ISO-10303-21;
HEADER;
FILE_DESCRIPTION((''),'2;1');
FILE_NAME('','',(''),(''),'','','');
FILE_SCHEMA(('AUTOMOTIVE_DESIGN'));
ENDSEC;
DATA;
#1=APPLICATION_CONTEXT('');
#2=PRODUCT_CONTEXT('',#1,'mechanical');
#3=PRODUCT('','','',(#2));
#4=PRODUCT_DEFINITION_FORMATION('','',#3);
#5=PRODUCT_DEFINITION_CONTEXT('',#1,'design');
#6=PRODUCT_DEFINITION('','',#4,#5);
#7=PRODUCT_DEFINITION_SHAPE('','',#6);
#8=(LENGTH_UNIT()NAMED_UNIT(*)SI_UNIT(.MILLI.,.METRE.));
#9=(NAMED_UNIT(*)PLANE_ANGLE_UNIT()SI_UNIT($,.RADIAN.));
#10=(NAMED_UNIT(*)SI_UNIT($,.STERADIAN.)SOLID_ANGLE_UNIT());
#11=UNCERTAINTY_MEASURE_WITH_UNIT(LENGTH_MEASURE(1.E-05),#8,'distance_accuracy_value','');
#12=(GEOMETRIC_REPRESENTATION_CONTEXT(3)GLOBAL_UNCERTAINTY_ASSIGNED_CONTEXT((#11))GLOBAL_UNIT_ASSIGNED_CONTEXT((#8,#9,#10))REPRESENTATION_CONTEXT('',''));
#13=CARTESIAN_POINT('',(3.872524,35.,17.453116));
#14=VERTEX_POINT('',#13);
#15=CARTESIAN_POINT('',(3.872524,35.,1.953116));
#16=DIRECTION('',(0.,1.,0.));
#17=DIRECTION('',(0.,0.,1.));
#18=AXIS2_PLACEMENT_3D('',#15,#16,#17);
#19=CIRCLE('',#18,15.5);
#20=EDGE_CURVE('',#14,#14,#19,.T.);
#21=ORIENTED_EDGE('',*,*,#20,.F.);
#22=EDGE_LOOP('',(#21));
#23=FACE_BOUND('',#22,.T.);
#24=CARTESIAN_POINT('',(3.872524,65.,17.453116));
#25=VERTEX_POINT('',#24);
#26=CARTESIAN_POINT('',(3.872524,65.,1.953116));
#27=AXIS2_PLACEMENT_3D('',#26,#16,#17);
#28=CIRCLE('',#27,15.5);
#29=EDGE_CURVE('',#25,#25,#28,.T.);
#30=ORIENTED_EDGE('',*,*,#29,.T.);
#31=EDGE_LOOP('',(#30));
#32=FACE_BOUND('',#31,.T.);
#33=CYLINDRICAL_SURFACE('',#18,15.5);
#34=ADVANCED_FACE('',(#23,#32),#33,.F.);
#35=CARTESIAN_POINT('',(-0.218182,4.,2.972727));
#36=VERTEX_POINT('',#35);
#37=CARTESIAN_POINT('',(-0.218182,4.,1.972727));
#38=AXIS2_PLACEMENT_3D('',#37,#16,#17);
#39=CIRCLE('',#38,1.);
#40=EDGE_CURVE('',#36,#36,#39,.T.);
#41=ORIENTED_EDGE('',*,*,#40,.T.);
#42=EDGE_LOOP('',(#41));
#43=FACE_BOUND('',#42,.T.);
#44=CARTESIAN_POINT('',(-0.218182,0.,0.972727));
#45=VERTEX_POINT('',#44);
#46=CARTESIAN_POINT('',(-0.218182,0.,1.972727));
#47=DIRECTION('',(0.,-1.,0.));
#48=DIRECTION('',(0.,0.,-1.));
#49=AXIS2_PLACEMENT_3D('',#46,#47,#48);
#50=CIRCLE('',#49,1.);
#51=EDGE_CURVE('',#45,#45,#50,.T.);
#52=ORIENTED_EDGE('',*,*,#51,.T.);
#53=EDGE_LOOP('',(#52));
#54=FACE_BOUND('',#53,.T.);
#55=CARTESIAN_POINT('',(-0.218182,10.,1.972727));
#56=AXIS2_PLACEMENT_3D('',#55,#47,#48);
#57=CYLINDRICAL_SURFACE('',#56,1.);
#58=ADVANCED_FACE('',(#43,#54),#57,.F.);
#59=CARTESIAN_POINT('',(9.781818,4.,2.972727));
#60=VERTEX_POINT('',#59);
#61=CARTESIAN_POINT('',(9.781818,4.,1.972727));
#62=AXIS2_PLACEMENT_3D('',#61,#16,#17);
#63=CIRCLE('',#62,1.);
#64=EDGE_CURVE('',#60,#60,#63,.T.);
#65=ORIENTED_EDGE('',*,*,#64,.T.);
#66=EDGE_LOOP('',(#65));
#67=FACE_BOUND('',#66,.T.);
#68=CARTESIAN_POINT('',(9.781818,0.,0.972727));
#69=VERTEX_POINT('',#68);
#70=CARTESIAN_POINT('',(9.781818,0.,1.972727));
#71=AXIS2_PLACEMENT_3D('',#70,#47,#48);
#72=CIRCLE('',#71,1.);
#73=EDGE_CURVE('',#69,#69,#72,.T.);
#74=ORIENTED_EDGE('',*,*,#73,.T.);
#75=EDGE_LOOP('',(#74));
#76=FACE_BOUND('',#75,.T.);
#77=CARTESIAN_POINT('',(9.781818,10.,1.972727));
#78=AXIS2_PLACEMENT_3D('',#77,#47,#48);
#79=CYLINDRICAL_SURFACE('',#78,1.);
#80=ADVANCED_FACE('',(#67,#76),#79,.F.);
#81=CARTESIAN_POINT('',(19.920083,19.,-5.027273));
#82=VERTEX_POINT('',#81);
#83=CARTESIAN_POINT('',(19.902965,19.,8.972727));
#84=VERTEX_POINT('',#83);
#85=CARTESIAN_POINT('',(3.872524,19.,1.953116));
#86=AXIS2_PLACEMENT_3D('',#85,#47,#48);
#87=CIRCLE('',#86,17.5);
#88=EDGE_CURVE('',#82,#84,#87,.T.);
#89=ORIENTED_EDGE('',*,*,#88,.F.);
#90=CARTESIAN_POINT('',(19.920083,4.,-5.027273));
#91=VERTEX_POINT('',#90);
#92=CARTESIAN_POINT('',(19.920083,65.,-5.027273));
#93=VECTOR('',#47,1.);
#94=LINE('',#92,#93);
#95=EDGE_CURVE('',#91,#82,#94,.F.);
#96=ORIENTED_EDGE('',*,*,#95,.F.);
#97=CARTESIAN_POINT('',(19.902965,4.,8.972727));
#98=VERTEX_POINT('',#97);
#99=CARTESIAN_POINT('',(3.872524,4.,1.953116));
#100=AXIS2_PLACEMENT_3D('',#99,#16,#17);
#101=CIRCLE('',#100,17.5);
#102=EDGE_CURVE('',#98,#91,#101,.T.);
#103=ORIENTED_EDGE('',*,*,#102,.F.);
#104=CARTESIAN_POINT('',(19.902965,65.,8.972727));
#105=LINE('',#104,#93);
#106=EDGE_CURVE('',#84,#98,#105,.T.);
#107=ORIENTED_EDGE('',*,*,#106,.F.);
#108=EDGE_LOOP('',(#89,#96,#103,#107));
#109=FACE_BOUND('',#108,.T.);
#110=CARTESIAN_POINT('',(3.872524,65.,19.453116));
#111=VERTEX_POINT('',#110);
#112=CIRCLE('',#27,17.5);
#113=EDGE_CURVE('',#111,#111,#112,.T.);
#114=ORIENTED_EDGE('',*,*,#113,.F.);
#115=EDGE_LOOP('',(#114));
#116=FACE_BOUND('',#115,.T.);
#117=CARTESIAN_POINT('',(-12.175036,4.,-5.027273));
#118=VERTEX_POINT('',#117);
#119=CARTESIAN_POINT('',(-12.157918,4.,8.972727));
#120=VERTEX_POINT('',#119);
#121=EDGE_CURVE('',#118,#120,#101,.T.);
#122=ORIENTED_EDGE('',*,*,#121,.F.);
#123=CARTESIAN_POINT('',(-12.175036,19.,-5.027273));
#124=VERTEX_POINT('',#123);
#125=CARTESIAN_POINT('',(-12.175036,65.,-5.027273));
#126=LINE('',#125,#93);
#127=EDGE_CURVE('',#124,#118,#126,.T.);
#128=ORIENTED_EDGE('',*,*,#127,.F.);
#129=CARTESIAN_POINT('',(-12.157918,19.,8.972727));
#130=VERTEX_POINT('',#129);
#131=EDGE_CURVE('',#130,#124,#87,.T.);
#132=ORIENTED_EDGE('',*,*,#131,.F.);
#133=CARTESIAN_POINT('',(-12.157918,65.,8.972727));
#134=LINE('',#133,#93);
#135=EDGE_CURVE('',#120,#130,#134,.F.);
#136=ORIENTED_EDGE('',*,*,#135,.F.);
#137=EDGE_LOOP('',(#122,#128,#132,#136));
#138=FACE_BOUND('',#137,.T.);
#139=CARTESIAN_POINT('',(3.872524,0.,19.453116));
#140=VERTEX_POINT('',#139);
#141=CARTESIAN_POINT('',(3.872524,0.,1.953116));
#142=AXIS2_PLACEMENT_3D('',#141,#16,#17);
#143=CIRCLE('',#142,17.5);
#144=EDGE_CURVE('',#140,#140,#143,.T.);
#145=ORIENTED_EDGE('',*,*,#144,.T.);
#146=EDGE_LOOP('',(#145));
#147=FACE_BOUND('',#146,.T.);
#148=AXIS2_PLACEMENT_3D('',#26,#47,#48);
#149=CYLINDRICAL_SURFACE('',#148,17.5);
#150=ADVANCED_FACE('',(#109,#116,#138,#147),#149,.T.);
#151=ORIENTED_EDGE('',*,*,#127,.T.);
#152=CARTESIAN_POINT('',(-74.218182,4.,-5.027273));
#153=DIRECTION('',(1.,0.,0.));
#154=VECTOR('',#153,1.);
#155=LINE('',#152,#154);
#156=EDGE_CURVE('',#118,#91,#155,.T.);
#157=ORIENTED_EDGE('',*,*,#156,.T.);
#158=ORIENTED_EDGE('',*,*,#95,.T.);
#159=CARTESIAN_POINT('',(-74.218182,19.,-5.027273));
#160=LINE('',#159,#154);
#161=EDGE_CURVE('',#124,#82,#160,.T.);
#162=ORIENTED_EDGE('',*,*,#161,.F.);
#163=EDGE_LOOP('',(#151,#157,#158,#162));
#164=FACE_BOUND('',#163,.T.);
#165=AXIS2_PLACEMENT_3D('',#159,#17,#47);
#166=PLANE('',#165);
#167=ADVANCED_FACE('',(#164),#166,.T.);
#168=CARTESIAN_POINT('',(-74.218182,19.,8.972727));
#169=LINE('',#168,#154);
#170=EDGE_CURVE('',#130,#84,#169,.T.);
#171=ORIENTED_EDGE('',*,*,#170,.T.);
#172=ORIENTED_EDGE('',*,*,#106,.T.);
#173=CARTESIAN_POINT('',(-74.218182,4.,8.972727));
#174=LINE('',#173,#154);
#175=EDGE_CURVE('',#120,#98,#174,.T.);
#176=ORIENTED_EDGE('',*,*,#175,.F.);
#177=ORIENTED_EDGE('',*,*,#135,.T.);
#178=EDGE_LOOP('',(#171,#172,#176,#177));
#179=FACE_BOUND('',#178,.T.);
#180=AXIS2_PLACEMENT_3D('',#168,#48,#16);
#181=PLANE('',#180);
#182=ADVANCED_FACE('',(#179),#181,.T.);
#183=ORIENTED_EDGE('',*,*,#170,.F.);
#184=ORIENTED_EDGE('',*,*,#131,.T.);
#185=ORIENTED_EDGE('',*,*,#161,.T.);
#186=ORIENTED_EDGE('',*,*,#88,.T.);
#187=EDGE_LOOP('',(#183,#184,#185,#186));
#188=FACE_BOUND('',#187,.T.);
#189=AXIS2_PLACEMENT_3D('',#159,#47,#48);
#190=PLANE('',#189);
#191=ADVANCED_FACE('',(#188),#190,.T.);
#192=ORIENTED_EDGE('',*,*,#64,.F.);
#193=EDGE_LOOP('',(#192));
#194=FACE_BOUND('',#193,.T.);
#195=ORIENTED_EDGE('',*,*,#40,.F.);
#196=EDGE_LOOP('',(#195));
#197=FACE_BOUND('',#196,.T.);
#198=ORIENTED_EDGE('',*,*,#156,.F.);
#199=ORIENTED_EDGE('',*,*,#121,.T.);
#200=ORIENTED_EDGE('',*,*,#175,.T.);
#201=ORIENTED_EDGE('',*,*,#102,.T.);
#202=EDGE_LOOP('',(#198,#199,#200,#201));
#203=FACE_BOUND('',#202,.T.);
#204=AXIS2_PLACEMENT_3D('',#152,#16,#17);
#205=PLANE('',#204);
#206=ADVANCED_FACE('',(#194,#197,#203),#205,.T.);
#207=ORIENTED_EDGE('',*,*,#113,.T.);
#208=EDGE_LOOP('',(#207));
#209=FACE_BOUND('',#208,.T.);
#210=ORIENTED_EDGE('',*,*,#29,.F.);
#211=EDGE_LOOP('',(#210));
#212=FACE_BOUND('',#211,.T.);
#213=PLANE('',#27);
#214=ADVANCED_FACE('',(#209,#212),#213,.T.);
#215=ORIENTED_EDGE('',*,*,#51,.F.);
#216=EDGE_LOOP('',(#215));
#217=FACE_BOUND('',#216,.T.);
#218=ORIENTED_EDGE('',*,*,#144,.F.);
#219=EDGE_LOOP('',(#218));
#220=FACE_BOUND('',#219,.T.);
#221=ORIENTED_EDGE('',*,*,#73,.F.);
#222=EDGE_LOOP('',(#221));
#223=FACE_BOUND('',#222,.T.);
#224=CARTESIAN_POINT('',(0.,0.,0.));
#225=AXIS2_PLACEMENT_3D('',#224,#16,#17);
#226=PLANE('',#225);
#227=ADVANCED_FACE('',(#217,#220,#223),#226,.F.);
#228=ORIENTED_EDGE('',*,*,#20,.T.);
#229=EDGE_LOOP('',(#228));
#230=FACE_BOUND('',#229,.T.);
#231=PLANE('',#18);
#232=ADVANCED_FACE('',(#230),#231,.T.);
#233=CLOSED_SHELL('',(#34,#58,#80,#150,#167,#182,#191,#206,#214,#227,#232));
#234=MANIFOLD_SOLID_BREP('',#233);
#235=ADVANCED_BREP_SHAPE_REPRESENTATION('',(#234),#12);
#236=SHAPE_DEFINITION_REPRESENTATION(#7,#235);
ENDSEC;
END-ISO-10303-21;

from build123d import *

# Parameters (mm, degrees)
SKETCH1_W               = 25
SKETCH1_H               = 16
BOSS_EXTRUDE1_DEPTH     = 20
SKETCH6_R               = 17.5
BOSS_EXTRUDE4_DEPTH     = 65
CUT_EXTRUDE1_DEPTH      = 65
CUT_EXTRUDE1_DEPTH_BACK = 40
SKETCH2_W               = 14
SKETCH2_H               = 15
SKETCH3_R               = 1
CUT_EXTRUDE2_DEPTH      = 10
SKETCH7_R               = 15.5
CUT_EXTRUDE3_DEPTH      = 30


with BuildPart() as part:
    # Sketch1 → Boss-Extrude1 (new body)
    with BuildSketch(Plane(origin=(0, 0, 0), x_dir=(1, 0, 0), z_dir=(0, 1, 0))):
        with Locations((3.281818182, -1.972727273)):
            Rectangle(SKETCH1_W, SKETCH1_H)
    extrude(amount=BOSS_EXTRUDE1_DEPTH)

    # Sketch6 → Boss-Extrude4 (add)
    with BuildSketch(Plane(origin=(0, 0, 0), x_dir=(1, 0, 0), z_dir=(0, 1, 0))):
        with Locations(Location((3.872523773, -1.953116283, 0), (0, 0, 270))):
            Circle(SKETCH6_R)
    extrude(amount=BOSS_EXTRUDE4_DEPTH)

    # Sketch2 → Cut-Extrude1 (cut, two sides: drawn at the far end of the back side and taken through both)
    with BuildSketch(Plane.ZY.offset(9.218181818).offset(-CUT_EXTRUDE1_DEPTH_BACK)):
        with Locations((1.972727273, 11.5)):
            Rectangle(SKETCH2_W, SKETCH2_H)
    extrude(amount=CUT_EXTRUDE1_DEPTH + CUT_EXTRUDE1_DEPTH_BACK, mode=Mode.SUBTRACT)

    # Sketch3 → Cut-Extrude2 (cut)
    with BuildSketch(Plane(origin=(0, 0, 0), x_dir=(-1, 0, 0), z_dir=(0, -1, 0))):
        with Locations(Location((-9.781818182, -1.972727273, 0), (0, 0, 90))):
            Circle(SKETCH3_R)
        with Locations(Location((0.218181818, -1.972727273, 0), (0, 0, 90))):
            Circle(SKETCH3_R)
    extrude(amount=-CUT_EXTRUDE2_DEPTH, mode=Mode.SUBTRACT)

    # Sketch7 → Cut-Extrude3 (cut)
    with BuildSketch(Plane(origin=(0, 65, 0), x_dir=(1, 0, 0), z_dir=(0, 1, 0))):
        with Locations(Location((3.872523773, -1.953116283, 0), (0, 0, 270))):
            Circle(SKETCH7_R)
    extrude(amount=-CUT_EXTRUDE3_DEPTH, mode=Mode.SUBTRACT)


solid = part.part
